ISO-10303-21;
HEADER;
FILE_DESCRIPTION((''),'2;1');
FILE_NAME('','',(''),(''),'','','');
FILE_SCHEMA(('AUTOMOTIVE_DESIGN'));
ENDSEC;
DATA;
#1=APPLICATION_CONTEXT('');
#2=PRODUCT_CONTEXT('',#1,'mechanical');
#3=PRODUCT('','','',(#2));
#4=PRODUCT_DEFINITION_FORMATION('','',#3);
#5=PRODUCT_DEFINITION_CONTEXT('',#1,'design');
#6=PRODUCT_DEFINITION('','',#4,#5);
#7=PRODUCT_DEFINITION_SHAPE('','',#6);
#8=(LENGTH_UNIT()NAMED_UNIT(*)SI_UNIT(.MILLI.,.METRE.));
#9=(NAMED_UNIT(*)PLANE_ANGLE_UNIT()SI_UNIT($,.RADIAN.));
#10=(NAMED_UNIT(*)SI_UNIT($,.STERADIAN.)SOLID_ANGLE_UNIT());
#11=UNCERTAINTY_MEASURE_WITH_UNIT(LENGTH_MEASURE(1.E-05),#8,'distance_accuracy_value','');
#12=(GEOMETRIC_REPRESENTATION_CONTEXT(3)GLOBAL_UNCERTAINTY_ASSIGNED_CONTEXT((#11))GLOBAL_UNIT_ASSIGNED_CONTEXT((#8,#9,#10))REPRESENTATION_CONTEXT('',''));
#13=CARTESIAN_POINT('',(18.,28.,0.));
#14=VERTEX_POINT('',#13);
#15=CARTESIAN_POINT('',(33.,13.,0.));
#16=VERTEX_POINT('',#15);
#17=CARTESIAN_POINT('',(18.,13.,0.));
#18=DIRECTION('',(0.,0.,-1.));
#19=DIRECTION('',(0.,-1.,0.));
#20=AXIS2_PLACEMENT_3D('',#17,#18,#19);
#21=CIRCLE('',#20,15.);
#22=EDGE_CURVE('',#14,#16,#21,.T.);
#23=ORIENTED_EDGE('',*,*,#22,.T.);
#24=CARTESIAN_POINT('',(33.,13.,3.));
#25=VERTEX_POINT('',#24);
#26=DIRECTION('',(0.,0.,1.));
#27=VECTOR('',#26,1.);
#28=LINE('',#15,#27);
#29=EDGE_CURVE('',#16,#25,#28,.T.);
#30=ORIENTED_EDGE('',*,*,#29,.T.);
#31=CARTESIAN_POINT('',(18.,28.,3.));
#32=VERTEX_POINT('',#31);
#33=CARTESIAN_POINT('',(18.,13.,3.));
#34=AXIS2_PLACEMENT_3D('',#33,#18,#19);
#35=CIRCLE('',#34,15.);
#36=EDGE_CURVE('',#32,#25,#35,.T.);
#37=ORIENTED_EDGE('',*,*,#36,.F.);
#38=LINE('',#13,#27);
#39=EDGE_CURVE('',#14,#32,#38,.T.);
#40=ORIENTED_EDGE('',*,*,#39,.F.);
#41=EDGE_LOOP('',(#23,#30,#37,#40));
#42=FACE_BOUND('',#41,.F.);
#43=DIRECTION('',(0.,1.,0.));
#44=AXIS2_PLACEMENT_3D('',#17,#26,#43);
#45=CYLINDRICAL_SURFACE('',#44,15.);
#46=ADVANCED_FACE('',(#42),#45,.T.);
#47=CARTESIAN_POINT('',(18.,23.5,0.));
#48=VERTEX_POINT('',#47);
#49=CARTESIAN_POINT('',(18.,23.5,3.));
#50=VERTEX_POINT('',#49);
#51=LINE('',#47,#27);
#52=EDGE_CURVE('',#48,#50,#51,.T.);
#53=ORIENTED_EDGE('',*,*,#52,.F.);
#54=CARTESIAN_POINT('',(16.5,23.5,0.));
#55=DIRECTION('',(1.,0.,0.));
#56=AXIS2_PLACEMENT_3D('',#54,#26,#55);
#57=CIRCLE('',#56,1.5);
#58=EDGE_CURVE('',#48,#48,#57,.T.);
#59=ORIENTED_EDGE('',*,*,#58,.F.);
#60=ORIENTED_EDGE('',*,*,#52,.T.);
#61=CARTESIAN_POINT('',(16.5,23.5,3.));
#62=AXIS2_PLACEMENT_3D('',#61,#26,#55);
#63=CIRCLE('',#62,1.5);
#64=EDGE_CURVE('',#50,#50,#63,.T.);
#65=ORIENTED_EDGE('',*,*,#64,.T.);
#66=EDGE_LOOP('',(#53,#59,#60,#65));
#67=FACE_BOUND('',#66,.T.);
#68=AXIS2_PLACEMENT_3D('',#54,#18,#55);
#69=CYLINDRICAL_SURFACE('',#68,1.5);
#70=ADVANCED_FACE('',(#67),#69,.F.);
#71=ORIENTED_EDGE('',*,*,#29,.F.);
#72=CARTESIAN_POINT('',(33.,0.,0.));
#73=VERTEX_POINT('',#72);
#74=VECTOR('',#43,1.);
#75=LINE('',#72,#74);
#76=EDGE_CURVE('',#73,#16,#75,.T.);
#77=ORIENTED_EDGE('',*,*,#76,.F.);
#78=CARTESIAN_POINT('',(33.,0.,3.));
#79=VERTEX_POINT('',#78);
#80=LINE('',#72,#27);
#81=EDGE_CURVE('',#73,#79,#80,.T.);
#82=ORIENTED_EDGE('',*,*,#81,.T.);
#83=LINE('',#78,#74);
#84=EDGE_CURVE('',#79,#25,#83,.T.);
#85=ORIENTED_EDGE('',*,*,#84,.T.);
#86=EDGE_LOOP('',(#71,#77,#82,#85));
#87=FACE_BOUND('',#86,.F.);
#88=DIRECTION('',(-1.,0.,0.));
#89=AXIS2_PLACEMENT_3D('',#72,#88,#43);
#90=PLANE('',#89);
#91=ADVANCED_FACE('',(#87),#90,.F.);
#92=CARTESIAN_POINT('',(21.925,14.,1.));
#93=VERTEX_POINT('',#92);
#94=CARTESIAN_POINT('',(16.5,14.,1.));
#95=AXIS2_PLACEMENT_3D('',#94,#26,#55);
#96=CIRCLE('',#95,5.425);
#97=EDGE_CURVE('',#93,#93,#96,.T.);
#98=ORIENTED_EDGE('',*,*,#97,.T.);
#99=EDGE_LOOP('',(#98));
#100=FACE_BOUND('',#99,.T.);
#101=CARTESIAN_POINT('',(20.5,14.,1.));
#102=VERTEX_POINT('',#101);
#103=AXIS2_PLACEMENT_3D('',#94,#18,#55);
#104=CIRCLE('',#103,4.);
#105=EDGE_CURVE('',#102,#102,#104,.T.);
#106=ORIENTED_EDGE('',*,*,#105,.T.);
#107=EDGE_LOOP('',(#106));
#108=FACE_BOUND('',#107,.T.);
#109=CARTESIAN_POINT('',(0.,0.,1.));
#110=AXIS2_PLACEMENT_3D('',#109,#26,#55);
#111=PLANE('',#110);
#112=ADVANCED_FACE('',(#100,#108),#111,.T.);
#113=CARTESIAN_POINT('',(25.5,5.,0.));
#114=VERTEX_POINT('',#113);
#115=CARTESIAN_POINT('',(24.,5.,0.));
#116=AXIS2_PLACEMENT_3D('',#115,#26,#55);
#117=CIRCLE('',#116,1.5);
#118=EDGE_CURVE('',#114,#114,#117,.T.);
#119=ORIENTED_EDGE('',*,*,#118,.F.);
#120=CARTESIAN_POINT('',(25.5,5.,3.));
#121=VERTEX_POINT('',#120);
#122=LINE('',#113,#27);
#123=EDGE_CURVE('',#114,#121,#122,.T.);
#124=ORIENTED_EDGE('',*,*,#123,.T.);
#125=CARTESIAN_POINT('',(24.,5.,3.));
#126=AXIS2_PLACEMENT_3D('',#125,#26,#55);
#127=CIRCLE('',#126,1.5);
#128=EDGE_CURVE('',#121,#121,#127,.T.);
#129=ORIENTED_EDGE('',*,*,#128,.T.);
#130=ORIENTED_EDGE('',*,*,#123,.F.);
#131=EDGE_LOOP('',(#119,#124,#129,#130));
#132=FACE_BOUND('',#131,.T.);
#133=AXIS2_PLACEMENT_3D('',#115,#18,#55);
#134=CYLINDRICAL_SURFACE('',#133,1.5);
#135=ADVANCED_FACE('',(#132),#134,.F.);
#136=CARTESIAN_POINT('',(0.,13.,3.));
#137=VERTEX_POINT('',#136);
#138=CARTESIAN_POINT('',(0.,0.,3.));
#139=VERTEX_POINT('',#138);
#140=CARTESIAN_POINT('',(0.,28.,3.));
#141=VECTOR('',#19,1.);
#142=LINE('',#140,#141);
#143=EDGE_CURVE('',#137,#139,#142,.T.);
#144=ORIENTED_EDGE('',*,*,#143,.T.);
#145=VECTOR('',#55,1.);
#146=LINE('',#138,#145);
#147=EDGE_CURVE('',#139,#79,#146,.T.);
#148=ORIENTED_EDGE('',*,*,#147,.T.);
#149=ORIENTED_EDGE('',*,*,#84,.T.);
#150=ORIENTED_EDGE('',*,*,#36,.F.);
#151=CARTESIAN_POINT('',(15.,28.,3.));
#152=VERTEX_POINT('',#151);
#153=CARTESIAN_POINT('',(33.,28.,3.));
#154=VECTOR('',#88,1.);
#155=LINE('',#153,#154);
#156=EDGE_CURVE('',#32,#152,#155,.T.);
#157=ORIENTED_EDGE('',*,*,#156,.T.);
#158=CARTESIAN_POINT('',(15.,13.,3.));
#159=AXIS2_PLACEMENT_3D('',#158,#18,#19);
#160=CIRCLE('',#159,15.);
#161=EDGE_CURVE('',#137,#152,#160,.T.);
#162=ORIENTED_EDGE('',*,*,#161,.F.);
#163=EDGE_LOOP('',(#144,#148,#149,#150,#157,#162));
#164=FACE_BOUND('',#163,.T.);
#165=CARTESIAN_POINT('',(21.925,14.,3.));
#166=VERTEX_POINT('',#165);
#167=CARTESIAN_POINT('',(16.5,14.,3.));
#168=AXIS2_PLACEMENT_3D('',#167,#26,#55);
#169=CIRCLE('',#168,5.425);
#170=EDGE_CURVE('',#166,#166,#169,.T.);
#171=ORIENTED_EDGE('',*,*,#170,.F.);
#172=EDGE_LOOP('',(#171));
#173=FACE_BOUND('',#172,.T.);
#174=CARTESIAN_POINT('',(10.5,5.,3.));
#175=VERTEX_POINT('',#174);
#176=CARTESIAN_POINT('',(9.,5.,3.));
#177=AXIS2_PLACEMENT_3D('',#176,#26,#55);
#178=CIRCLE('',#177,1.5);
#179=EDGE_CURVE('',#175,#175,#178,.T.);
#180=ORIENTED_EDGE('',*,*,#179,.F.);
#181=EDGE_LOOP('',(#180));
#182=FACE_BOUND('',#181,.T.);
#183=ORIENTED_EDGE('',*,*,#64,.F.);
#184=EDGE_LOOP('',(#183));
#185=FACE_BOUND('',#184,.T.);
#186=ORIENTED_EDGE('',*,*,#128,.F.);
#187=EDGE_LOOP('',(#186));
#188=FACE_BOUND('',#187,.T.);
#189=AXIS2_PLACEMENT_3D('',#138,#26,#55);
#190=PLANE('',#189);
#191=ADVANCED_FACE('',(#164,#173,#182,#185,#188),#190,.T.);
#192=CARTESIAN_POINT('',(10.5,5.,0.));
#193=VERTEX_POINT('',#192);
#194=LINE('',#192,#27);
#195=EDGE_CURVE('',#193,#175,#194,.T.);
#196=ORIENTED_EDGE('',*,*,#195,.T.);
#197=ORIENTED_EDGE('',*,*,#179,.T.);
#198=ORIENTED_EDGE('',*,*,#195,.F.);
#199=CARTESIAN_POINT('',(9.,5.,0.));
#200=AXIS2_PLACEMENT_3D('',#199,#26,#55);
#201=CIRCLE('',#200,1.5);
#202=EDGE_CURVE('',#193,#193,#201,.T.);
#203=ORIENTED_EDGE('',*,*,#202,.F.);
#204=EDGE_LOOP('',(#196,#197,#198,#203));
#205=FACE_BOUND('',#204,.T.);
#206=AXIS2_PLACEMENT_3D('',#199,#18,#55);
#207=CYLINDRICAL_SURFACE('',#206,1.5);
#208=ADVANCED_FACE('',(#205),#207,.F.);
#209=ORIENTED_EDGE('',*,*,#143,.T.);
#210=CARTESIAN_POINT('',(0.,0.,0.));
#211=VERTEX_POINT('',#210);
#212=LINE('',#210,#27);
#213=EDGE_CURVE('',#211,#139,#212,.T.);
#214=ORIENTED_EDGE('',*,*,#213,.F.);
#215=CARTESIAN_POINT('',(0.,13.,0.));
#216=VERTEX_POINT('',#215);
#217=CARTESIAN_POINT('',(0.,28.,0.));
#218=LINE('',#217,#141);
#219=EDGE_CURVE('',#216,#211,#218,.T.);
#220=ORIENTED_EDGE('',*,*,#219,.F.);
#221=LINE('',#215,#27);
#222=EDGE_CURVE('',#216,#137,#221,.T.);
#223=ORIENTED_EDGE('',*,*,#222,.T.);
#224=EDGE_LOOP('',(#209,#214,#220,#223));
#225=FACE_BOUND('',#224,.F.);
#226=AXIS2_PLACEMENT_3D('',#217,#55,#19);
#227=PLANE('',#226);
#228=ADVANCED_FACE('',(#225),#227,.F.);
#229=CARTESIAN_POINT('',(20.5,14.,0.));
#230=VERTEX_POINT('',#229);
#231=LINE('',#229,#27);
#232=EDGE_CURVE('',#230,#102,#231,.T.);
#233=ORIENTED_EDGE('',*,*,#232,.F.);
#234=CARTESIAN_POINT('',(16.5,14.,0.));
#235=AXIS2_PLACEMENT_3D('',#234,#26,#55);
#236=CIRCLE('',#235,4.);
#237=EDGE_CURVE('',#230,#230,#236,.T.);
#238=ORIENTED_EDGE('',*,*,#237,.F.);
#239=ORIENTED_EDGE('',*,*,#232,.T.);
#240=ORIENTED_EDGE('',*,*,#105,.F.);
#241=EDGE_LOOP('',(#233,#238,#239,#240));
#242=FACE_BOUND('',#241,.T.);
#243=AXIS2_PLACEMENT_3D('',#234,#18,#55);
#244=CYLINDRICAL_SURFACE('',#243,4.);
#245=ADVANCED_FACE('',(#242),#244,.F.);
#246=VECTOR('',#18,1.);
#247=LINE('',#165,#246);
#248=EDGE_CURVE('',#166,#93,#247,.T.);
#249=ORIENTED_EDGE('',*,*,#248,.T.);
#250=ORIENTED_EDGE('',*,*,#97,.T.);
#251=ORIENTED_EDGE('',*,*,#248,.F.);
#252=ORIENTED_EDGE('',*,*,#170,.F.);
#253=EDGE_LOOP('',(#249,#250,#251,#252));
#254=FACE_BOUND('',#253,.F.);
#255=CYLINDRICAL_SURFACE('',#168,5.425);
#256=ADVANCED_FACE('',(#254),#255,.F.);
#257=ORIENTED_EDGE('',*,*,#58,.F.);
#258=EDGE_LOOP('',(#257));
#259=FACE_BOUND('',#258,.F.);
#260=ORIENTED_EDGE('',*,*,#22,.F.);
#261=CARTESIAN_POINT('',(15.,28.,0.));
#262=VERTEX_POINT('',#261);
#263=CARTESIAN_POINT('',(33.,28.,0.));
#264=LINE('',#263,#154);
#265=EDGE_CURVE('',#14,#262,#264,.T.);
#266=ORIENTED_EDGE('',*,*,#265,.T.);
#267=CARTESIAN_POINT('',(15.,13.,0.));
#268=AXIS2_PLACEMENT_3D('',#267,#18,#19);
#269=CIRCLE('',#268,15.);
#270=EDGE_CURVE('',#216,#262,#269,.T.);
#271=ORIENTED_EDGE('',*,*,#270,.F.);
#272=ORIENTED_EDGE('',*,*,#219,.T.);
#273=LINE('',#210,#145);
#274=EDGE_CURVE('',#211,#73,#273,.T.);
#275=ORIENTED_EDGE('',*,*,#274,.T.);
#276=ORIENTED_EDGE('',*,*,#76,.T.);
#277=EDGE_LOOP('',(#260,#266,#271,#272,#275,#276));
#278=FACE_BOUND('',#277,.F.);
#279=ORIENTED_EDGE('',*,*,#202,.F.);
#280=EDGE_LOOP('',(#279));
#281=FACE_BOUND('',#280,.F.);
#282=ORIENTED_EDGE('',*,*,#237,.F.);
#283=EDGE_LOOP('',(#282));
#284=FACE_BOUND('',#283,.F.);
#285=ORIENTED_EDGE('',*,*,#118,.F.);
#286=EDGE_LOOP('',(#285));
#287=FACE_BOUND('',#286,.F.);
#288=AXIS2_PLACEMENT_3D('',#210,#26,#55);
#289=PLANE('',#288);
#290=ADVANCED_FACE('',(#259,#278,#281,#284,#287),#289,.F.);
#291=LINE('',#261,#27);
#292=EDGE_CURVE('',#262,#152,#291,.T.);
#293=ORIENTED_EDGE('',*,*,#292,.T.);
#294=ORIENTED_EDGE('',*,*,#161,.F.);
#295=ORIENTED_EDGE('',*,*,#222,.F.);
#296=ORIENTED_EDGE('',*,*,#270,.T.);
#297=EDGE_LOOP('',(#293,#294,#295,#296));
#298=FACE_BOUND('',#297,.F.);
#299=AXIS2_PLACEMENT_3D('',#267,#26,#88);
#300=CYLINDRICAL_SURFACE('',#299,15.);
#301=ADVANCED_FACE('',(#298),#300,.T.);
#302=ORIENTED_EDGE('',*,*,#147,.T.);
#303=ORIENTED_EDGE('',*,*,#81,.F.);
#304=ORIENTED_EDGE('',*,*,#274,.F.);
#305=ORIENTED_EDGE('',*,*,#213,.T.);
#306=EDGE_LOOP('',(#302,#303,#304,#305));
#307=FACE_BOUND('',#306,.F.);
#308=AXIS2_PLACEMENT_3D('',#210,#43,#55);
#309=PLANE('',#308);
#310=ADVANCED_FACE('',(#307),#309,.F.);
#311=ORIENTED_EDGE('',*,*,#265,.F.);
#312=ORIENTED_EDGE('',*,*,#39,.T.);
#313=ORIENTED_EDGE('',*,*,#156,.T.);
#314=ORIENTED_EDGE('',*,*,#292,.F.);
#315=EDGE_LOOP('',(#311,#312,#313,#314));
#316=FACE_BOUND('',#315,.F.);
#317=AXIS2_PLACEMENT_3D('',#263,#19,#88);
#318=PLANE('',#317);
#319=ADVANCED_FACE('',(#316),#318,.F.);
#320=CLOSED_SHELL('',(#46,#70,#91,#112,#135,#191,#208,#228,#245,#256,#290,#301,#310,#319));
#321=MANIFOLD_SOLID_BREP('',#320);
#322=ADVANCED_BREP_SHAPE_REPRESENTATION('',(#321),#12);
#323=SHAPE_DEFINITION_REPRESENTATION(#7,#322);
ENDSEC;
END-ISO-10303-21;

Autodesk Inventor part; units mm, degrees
ref_plane "YZ Plane" through (0, 0, 0) normal (1, 0, 0) x (0, 1, 0)
ref_plane "XZ Plane" through (0, 0, 0) normal (0, 1, 0) x (-1, 0, 0)
ref_plane "XY Plane" through (0, 0, 0) normal (0, 0, 1) x (1, 0, 0)
sketch "Sketch1" plane through (0, 0, 0) normal (0, 0, 1) x (1, 0, 0)
  line L0 (0, 0) -> (33, 0)
  line L1 (33, 0) -> (33, 28)
  line L2 (33, 28) -> (0, 28)
  line L3 (0, 28) -> (0, 0)
  circle A0 centre (16.5, 14) radius 4
  circle A1 centre (16.5, 23.5) radius 1.5
  circle A2 centre (9, 5) radius 1.5
  circle A3 centre (24, 5) radius 1.5
  dimension "d0" = 33
  dimension "d1" = 28
  dimension "d2" = 8
  dimension "d3" = 14
  dimension "d4" = 16.5
  dimension "d5" = 3
  dimension "d6" = 3
  dimension "d7" = 3
  dimension "d8" = 4.5
  dimension "d9" = 0
  dimension "d10" = 15
  dimension "d11" = 5
  dimension "d12" = 9
  dimension "d13" = 5
extrude "Extrusion1" add sketch "Sketch1" along normal blind 3
sketch "Sketch2" plane through (0, 0, 3) normal (0, 0, 1) x (1, 0, 0)
  circle A0 centre (16.5, 14) radius 4 projected
  circle A1 centre (16.5, 14) radius 5.425
  point P0 (0, 0)
  dimension "d16" = 10.85
extrude "Extrusion2" cut sketch "Sketch2" against normal blind 2 contours A0 | A1
fillet "Fillet1" radius 15 2 edges at (33, 28, 1.5) (0, 28, 1.5)
sketch "Sketch3" plane through (0, 0, 3) normal (0, 0, 1) x (1, 0, 0)
  arc A0 (15, 28) -> (0, 13) centre (15, 13) ccw projected
  line L0 (0, 13) -> (0, 0) projected
  line L1 (0, 0) -> (33, 0) projected
  line L2 (33, 0) -> (33, 13) projected
  arc A1 (33, 13) -> (18, 28) centre (18, 13) ccw projected
  line L3 (18, 28) -> (15, 28) projected
  circle A2 centre (16.5, 14) radius 5.425 projected
  circle A3 centre (16.5, 23.5) radius 1.5 projected
  circle A4 centre (9, 5) radius 1.5 projected
  circle A5 centre (24, 5) radius 1.5 projected
equation "\"d3\" = 0.5 * d1"
equation "\"d4\" = 0.5 * d0"
properties part number "Arm6_3D" material "Aluminum 6061, Welded"
